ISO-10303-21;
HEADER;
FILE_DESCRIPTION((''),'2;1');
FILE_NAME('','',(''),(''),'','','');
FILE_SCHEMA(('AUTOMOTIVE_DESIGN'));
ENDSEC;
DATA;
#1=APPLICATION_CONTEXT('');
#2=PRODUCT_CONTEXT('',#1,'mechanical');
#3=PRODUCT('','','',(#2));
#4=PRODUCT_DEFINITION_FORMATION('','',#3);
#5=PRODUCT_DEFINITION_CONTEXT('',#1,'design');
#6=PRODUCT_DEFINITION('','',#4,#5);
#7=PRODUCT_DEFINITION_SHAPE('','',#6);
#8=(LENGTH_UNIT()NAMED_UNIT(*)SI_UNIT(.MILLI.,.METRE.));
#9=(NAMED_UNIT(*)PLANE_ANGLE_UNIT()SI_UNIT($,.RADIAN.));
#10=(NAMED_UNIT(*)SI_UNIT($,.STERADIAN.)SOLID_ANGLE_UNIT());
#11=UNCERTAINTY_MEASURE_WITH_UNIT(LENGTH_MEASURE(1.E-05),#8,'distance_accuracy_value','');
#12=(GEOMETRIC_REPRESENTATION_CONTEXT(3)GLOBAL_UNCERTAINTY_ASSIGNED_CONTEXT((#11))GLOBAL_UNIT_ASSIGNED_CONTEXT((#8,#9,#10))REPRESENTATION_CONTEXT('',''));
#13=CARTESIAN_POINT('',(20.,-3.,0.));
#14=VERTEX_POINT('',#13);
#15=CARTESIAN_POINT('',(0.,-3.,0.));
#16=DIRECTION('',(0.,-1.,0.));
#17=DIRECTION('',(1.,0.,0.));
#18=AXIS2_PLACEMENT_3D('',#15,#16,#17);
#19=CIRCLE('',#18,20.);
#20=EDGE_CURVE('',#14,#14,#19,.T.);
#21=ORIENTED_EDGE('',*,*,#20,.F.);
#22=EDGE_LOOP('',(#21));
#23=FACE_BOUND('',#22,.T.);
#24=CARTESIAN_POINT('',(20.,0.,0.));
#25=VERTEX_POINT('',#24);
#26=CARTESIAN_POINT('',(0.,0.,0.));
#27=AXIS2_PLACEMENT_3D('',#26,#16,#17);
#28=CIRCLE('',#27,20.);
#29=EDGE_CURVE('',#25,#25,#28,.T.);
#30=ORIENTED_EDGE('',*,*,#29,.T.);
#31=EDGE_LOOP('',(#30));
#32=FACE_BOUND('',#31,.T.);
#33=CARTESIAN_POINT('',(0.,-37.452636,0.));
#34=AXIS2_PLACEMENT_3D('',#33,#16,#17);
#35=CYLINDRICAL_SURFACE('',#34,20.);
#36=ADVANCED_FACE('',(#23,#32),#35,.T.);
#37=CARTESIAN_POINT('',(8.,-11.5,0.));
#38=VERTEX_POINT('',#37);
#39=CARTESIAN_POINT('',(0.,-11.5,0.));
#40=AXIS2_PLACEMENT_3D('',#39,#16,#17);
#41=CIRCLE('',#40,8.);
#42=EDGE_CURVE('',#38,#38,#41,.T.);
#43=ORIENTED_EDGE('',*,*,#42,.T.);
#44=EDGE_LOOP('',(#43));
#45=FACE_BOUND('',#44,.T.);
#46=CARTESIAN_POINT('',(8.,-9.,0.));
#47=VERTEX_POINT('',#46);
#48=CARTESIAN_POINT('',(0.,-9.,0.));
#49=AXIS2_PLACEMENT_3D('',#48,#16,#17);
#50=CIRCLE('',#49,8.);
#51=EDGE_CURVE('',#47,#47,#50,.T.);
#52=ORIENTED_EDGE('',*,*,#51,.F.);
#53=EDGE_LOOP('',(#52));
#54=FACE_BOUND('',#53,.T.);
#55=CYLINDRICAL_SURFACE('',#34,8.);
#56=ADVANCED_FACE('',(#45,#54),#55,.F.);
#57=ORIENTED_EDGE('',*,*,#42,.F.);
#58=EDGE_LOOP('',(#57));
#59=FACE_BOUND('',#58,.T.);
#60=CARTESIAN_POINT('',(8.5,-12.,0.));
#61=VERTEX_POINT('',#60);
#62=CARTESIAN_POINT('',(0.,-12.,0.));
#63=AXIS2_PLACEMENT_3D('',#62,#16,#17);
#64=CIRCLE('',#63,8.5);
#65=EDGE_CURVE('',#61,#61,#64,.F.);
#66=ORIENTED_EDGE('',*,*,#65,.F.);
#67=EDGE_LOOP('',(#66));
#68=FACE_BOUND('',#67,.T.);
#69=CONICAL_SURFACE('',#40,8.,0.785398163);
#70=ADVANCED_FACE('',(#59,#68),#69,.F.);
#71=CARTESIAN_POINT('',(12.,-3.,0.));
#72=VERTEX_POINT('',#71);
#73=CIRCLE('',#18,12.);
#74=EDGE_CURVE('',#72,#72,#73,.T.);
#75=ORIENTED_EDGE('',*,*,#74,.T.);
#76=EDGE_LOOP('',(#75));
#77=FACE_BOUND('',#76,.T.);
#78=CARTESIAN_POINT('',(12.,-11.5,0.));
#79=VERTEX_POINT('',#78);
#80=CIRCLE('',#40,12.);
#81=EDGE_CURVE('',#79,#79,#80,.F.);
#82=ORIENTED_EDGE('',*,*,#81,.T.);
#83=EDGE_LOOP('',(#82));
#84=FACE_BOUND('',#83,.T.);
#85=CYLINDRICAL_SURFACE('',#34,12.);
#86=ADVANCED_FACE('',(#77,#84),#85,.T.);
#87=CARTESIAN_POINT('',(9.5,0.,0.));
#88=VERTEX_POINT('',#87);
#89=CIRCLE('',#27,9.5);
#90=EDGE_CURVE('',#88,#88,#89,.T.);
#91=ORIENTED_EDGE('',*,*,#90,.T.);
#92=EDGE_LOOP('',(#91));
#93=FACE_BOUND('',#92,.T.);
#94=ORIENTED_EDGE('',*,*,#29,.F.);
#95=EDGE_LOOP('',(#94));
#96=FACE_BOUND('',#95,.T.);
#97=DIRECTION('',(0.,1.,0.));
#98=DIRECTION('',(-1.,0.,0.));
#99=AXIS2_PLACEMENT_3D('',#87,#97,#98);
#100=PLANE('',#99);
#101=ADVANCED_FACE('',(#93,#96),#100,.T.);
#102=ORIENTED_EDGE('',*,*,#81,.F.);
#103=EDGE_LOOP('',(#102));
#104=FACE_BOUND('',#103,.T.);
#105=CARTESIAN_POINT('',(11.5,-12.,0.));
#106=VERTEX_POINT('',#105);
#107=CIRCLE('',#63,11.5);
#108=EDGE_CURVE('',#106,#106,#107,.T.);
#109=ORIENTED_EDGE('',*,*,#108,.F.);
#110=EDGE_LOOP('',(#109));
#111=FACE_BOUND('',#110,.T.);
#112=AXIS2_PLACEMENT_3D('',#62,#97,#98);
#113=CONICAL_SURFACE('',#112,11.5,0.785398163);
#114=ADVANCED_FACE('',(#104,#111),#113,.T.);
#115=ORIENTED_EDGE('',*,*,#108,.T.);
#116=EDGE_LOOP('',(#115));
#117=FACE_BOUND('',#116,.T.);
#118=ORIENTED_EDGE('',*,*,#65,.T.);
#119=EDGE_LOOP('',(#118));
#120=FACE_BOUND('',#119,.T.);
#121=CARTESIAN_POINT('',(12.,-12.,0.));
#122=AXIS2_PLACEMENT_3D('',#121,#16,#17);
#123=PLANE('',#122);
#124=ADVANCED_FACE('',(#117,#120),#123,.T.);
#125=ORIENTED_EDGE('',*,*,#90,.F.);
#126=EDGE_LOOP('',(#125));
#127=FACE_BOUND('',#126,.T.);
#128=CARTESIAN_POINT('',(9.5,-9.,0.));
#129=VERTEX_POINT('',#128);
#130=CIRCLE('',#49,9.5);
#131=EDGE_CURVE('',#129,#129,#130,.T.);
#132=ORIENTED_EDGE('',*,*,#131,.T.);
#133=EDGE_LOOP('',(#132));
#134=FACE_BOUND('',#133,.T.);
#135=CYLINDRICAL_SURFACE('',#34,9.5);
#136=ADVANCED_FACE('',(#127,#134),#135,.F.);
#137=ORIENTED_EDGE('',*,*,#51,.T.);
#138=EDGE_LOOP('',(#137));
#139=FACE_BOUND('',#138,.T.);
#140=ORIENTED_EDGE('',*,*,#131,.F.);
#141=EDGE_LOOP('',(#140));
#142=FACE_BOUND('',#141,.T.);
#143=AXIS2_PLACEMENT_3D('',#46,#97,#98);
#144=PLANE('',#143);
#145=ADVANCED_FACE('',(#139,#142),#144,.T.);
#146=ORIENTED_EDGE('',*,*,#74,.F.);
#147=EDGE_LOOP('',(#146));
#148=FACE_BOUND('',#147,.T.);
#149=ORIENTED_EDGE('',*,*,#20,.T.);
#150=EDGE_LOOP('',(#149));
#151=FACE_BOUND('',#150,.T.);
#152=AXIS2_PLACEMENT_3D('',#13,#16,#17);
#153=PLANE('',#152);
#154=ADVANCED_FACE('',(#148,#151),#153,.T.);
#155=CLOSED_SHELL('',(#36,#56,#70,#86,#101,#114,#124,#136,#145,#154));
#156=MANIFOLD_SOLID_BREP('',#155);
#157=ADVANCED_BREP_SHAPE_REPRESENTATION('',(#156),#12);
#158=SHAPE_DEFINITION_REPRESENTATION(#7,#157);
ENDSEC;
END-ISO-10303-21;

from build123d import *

# Parameters (mm, degrees)
SMUSSO1_SIZE = 0.5


with BuildPart() as part:
    # Schizzo1 → Rivoluzione1 (revolve)
    with BuildSketch(Plane.XY):
        Polygon((9.5, 0), (20, 0), (20, -3), (12, -3), (12, -12), (8, -12), (8, -9), (9.5, -9), align=None)
    revolve(axis=Axis((0, -37.45263556, 0), (0, 1, 0)))

    # Smusso1
    smusso1_edges = [part.edges().sort_by_distance(p)[0] for p in [
        (-8, -12, 0),
        (-12, -12, 0),
    ]]
    chamfer(smusso1_edges, length=SMUSSO1_SIZE)


solid = part.part
